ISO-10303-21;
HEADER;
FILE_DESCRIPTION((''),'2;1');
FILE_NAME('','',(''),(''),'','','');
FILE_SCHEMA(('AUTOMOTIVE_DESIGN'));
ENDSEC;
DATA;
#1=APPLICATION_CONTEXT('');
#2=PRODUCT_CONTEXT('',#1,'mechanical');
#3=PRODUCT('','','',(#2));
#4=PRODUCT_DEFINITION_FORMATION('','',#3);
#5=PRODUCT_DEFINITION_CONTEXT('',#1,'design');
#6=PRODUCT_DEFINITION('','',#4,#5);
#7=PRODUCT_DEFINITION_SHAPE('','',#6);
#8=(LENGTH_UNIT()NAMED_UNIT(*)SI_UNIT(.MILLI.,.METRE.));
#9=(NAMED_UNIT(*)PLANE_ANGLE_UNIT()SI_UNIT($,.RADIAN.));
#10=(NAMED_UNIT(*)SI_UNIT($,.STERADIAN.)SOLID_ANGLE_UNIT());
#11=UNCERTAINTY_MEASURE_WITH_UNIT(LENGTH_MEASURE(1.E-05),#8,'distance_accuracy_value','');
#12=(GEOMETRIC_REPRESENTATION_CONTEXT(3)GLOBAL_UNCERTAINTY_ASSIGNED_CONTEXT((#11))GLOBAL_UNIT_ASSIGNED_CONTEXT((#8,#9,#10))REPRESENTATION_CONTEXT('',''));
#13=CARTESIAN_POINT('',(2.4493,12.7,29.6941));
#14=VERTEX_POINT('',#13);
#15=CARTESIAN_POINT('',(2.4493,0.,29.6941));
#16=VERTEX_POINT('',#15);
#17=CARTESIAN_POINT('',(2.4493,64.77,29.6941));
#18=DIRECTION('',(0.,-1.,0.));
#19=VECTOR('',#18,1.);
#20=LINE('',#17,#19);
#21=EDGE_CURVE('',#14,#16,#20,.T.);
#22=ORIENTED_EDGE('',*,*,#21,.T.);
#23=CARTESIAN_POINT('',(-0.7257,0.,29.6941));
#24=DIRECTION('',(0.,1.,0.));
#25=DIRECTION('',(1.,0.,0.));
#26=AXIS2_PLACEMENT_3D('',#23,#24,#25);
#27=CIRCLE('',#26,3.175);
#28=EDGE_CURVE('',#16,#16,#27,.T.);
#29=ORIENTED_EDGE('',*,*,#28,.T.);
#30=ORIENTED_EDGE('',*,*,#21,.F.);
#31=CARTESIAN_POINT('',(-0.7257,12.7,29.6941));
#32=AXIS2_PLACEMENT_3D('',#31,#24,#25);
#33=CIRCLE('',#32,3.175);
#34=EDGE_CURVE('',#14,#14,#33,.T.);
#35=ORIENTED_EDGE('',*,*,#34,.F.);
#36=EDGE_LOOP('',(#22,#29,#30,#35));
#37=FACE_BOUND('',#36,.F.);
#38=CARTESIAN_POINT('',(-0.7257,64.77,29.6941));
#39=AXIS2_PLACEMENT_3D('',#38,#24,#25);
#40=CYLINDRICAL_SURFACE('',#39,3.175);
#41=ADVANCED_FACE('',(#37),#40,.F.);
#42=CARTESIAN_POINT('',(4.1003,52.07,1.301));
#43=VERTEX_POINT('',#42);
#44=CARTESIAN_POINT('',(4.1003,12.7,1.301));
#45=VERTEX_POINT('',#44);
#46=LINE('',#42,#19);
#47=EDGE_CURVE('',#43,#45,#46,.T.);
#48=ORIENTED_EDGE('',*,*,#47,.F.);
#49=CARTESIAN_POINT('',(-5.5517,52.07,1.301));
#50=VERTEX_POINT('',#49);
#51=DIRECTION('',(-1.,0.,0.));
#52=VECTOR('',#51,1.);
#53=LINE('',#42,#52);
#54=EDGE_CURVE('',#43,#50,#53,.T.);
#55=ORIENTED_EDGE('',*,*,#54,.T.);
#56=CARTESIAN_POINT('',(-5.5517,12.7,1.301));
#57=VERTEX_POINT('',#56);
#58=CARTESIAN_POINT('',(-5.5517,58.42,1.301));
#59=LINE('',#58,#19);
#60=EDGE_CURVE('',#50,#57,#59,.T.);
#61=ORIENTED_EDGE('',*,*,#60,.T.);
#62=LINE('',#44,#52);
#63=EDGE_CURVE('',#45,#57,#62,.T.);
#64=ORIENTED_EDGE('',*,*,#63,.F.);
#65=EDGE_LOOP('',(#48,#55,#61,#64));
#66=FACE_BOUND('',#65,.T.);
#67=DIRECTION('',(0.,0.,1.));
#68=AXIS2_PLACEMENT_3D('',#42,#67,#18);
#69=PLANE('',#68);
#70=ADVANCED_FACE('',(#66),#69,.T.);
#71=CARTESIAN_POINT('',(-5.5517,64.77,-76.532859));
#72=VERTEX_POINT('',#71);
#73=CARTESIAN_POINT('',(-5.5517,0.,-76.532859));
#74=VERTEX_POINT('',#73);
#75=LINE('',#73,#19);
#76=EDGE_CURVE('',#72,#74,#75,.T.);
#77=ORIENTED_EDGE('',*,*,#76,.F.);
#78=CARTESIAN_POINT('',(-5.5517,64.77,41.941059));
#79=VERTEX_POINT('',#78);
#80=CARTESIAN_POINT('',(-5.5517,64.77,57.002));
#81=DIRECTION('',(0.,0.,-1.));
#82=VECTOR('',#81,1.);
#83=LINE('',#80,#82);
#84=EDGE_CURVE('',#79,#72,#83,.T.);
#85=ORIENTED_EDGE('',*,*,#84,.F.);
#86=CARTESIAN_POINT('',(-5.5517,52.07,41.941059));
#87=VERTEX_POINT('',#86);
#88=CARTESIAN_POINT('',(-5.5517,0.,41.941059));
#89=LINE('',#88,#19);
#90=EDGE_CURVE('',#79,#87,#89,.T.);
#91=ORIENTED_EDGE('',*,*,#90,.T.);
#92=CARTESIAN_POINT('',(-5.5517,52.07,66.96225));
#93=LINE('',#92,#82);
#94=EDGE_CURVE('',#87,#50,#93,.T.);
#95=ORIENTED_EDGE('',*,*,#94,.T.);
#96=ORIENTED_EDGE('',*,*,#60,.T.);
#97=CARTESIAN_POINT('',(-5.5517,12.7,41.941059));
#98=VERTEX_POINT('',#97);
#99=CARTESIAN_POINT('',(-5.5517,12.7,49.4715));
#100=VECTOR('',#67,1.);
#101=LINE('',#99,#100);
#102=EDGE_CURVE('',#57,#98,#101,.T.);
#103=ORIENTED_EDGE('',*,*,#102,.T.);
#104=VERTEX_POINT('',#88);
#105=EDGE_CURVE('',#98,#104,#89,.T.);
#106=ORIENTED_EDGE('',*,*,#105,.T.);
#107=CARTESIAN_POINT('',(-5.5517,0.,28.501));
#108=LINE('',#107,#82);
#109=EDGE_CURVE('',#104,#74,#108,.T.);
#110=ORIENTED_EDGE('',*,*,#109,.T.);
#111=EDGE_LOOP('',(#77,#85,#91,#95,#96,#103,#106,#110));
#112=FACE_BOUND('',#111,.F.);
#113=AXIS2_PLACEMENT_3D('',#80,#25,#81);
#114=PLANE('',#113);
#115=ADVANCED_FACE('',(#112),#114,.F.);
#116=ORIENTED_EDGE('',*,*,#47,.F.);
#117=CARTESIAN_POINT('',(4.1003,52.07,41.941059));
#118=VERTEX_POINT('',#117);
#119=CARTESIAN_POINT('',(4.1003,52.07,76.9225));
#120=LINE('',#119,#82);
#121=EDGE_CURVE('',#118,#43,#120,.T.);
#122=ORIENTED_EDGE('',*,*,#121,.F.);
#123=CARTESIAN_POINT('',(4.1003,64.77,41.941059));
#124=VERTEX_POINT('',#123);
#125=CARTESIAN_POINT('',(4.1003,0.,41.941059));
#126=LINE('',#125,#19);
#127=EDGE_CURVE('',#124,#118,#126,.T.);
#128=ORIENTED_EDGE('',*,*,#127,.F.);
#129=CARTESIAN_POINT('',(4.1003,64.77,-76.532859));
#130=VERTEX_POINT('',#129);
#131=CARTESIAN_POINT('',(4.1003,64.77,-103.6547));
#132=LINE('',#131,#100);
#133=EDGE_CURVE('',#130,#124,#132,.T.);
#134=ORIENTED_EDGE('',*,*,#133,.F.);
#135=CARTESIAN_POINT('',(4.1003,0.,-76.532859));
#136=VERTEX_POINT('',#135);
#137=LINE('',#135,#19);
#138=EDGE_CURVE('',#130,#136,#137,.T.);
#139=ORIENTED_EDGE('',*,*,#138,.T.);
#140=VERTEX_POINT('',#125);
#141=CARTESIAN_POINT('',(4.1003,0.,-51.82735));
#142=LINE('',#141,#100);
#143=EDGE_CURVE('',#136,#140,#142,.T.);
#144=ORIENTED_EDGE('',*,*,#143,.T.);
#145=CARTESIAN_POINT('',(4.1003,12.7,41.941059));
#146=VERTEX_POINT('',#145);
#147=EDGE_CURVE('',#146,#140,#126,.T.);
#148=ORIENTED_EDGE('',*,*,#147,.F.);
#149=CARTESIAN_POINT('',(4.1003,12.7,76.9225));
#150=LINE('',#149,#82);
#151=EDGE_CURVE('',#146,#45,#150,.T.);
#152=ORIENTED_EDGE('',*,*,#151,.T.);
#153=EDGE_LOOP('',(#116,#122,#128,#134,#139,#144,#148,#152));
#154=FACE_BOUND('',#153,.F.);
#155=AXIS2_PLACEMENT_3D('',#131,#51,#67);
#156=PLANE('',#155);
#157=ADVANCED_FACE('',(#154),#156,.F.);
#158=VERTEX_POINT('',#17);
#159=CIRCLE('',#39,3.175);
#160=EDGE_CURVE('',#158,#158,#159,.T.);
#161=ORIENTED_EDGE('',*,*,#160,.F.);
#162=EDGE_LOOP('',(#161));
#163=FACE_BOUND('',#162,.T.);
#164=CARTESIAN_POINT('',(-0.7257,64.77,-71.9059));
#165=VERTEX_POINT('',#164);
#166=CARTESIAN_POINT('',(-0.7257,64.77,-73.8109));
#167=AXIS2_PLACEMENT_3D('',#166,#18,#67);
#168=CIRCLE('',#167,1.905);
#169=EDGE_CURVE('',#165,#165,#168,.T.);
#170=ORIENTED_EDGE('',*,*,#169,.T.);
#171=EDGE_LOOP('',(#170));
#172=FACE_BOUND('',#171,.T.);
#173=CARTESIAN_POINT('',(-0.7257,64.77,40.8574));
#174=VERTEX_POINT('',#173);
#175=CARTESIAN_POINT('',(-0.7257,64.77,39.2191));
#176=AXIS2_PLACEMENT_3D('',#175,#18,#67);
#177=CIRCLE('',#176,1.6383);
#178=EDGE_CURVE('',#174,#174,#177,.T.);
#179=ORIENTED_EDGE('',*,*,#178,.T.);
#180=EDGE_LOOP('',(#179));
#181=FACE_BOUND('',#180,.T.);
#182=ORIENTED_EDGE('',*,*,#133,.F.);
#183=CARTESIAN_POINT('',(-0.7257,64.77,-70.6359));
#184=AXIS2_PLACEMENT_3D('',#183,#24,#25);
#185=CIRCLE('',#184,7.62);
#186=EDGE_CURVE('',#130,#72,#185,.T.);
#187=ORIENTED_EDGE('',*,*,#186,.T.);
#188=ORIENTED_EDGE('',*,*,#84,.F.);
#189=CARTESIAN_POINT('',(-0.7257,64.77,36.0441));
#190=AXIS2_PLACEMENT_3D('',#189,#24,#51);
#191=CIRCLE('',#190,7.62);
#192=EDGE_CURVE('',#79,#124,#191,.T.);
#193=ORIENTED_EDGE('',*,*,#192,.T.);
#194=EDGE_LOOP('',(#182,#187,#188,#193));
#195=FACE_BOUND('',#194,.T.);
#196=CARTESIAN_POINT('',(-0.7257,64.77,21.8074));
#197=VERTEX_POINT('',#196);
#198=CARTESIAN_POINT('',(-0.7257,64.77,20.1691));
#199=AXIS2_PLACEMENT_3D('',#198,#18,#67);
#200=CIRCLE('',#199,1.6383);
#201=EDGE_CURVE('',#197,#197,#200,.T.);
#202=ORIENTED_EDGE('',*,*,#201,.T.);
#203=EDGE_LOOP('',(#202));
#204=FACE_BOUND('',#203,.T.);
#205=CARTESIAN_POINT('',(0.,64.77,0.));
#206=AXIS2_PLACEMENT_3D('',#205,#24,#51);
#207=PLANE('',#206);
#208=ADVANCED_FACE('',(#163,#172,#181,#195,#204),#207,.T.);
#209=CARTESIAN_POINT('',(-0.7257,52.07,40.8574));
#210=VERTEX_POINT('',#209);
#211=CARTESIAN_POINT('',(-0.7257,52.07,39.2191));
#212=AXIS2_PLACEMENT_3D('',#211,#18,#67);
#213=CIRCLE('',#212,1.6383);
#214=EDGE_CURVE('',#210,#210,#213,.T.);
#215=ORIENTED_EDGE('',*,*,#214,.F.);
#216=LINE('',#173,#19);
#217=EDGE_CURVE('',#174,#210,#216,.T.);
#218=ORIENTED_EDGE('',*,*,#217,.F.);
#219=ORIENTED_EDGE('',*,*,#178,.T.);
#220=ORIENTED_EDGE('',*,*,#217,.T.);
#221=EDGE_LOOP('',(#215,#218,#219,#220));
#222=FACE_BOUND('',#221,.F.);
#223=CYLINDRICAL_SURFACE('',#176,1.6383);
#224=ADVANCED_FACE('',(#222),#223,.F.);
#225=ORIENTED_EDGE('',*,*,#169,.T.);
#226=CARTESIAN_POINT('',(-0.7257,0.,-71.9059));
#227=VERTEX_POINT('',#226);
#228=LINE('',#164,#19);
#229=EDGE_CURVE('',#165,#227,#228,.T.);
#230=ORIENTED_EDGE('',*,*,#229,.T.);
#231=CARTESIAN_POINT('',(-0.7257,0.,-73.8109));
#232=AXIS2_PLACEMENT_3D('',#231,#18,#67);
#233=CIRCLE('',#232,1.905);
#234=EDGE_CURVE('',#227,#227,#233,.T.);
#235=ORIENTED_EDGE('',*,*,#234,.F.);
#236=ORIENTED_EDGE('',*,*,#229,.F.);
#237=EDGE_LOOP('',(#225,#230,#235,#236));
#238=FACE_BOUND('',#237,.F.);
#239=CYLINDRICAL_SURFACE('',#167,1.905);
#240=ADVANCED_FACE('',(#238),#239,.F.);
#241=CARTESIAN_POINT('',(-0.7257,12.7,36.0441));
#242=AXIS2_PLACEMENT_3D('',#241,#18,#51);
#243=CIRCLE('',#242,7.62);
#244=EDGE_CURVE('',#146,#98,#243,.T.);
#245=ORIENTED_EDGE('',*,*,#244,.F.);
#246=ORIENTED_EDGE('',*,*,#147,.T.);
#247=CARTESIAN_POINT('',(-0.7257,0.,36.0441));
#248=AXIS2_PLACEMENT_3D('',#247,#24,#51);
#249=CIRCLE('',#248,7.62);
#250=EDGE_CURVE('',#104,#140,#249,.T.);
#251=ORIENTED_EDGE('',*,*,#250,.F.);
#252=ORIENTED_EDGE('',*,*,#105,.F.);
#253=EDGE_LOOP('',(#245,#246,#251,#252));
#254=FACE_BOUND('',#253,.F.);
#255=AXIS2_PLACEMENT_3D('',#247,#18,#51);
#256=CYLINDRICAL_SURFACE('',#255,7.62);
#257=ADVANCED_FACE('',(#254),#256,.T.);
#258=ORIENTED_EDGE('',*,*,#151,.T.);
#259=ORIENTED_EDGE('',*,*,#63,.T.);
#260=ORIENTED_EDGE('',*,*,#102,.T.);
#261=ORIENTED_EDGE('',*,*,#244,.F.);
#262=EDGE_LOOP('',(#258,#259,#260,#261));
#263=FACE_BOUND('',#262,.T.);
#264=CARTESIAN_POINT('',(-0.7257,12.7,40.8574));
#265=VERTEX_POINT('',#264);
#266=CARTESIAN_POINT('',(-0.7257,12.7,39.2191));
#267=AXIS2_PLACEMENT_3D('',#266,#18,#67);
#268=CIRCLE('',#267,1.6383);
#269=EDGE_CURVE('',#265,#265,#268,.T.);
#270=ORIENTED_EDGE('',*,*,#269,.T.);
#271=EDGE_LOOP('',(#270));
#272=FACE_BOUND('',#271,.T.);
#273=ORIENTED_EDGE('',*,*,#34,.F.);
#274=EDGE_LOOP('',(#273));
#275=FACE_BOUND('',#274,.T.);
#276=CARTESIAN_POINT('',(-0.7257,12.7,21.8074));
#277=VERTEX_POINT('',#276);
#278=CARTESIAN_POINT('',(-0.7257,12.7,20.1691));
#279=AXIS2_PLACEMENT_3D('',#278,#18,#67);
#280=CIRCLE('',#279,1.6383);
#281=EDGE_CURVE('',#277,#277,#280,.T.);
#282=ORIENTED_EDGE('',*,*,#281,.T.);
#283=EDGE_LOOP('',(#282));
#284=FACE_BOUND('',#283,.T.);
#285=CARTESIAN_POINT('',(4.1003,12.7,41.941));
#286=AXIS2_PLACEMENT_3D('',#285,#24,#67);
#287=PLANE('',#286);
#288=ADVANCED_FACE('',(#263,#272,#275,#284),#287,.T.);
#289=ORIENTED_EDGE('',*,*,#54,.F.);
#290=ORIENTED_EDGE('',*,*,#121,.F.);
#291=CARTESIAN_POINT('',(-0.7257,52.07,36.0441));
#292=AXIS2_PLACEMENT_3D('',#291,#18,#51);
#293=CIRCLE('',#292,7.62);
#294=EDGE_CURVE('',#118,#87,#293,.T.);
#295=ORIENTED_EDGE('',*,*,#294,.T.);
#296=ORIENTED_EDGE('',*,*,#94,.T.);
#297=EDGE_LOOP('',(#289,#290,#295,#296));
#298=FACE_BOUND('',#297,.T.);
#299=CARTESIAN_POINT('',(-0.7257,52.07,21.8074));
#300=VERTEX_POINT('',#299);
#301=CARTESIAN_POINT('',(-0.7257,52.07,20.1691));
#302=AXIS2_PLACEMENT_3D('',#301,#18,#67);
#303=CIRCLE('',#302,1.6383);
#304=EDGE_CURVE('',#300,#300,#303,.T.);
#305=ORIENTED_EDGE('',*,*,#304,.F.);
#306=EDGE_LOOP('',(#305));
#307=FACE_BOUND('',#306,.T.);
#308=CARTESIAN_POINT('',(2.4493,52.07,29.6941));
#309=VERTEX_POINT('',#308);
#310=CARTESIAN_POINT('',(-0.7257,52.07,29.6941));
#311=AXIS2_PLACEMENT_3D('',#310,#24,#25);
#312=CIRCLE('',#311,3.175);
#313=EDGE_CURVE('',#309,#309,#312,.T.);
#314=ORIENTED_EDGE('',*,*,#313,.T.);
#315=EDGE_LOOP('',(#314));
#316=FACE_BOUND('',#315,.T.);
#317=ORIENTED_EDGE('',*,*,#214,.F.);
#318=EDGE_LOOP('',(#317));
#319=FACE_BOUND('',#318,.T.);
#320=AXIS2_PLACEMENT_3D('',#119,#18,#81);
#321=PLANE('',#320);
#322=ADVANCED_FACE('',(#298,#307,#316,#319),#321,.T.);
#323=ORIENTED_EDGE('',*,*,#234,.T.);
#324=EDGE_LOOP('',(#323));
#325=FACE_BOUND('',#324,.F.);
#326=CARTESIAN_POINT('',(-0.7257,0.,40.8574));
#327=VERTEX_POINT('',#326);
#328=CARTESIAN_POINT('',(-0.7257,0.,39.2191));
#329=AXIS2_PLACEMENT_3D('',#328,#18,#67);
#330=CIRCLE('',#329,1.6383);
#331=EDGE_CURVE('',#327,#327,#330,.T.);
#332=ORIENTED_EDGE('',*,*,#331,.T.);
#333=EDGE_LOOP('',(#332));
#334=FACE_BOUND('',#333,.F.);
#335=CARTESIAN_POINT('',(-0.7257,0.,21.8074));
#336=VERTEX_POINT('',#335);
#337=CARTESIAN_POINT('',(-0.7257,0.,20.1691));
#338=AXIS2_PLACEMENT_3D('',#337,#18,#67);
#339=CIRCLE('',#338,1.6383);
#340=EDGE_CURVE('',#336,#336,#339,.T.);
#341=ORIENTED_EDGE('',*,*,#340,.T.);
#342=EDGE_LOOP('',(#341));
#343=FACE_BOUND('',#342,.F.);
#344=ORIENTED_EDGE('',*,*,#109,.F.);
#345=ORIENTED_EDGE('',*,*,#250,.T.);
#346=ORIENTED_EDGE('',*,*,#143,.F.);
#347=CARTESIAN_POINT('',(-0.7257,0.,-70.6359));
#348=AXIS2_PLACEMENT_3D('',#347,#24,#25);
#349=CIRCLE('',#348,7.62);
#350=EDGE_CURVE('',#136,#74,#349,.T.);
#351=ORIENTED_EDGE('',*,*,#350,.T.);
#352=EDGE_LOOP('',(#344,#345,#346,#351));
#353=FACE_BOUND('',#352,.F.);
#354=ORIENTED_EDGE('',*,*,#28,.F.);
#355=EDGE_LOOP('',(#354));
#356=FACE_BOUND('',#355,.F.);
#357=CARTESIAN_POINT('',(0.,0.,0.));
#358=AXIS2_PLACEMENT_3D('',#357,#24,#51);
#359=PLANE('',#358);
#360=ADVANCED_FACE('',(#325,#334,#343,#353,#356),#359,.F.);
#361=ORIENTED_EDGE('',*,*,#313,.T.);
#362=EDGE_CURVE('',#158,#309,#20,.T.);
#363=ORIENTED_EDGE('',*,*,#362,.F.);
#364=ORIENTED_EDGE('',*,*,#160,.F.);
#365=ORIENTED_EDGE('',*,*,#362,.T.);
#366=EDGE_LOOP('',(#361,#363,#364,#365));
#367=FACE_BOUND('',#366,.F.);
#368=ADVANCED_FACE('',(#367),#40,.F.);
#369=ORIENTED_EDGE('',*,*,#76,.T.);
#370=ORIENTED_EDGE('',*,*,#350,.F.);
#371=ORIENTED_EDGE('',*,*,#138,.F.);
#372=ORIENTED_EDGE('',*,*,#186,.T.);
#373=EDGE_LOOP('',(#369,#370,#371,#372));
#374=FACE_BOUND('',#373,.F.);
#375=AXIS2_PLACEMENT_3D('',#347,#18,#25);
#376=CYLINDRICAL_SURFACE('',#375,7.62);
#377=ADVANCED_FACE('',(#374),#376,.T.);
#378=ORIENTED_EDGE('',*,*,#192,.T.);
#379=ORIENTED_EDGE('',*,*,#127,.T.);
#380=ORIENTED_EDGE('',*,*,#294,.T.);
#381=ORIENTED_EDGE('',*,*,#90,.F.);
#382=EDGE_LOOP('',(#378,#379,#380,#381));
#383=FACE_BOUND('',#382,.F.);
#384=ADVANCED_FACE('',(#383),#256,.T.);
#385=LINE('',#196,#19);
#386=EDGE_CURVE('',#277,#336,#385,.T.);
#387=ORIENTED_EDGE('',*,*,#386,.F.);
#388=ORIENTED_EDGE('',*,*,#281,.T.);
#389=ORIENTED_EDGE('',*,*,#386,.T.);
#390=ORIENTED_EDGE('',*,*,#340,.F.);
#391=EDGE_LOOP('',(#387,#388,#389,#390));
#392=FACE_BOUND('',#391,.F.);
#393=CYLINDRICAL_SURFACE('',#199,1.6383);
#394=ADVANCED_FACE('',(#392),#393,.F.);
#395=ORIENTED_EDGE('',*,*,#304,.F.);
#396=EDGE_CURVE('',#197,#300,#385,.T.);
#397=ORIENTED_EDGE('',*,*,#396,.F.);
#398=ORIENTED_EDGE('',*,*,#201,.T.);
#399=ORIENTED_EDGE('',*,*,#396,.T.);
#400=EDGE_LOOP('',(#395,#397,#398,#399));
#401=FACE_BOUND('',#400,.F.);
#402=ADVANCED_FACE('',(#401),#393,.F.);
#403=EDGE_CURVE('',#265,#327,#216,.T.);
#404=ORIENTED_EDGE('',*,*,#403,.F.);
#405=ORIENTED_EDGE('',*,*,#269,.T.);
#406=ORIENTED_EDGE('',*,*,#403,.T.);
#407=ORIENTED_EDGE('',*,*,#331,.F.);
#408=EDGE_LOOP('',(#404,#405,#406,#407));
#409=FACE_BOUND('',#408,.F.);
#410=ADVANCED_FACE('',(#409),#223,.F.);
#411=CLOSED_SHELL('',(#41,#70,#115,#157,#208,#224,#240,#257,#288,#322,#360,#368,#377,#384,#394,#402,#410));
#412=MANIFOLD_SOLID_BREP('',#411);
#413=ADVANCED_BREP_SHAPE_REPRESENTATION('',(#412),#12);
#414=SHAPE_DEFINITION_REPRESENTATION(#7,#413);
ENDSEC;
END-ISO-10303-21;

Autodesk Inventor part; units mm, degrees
ref_plane "YZ Plane" through (0, 0, 0) normal (1, 0, 0) x (0, 1, 0)
ref_plane "XZ Plane" through (0, 0, 0) normal (0, 1, 0) x (-1, 0, 0)
ref_plane "XY Plane" through (0, 0, 0) normal (0, 0, 1) x (1, 0, 0)
sketch "Sketch1" plane through (0, 0, 0) normal (0, 1, 0) x (-1, 0, 0)
  line L0 (-6.8943, 36.0441) -> (-6.8943, -70.6359)
  line L1 (8.3457, -70.6359) -> (8.3457, 36.0441)
  arc A0 (8.3457, 36.0441) -> (-6.8943, 36.0441) centre (0.7257, 36.0441) ccw
  arc A1 (-6.8943, -70.6359) -> (8.3457, -70.6359) centre (0.7257, -70.6359) ccw
  point P0 (0, 0)
  dimension "d2" = 15.24
  dimension "d4" = 7.62
  dimension "d5" = 15.24
  dimension "d6" = 7.62
  dimension "d8" = 106.68
  dimension "d9" = 15.24
extrude "Extrusion1" add sketch "Sketch1" along normal blind 64.77
sketch "Sketch2" plane through (0, 64.77, 0) normal (0, 1, 0) x (1, 0, 0)
  line L0 (6.8943, -36.0441) -> (6.8943, 70.6359) projected
  arc A0 (-8.3457, -36.0441) -> (6.8943, -36.0441) centre (-0.7257, -36.0441) ccw projected
  point P0 (0, 0)
  point P1 (-0.7257, -39.2191)
  point P2 (-0.7257, -29.6941)
  point P3 (-0.7257, -20.1691)
  dimension "d16" = 7.62
  dimension "d47" = 0
  dimension "d48" = 0
  dimension "d49" = 6.35
  dimension "d50" = 9.525
  dimension "d51" = 9.525
hole "Hole1" at (-0.7257, 64.77, 39.2191) at (-0.7257, 64.77, 29.6941) at (-0.7257, 64.77, 20.1691) direction (0, -1, 0) diameter 3.2766 end through all clearance for "Flat Head Machine Screw (82)" size "#4" standard "Ansi Unified Screw Threads"
sketch "Sketch3" plane through (0, 64.77, 0) normal (0, 1, 0) x (1, 0, 0)
  line L0 (-8.3457, 70.6359) -> (-8.3457, -36.0441) projected
  arc A0 (6.8943, 70.6359) -> (-8.3457, 70.6359) centre (-0.7257, 70.6359) ccw projected
  point P0 (0, 0)
  point P1 (-0.7257, 73.8109)
  dimension "d25" = 7.62
  dimension "d43" = 3.175
hole "Hole2" at (-0.7257, 64.77, -73.8109) direction (0, -1, 0) diameter 3.81 end through all clearance for "Flat Head Machine Screw (82)" size "#6" standard "Ansi Unified Screw Threads"
sketch "Sketch4" plane through (0, 64.77, 0) normal (0, 1, 0) x (1, 0, 0)
  line L0 (39.3169, 103.6547) -> (4.1003, 103.6547)
  line L1 (4.1003, 103.6547) -> (4.1003, -56.0742)
  line L2 (4.1003, -56.0742) -> (39.3169, -56.0742)
  line L3 (39.3169, -56.0742) -> (39.3169, 103.6547)
  line L4 (-5.5517, 100.2529) -> (-25.9242, 100.2529)
  line L5 (-25.9242, 100.2529) -> (-25.9242, -57.002)
  line L6 (-25.9242, -57.002) -> (-5.5517, -57.002)
  line L7 (-5.5517, -57.002) -> (-5.5517, 100.2529)
  line L8 (-8.3457, 70.6359) -> (-8.3457, -36.0441) projected
  line L9 (6.8943, -36.0441) -> (6.8943, 70.6359) projected
  point P0 (0, 0)
  dimension "d34" = 2.794
  dimension "d35" = 2.794
extrude "Extrusion2" cut sketch "Sketch4" against normal blind 101.6
sketch "Sketch5" plane through (4.1003, 64.77, 41.941) normal (1, 0, 0) x (0, 0, -1)
  line L0 (-34.9815, -12.7) -> (40.64, -12.7)
  line L1 (40.64, -12.7) -> (40.64, -52.07)
  line L2 (40.64, -52.07) -> (-34.9815, -52.07)
  line L3 (-34.9815, -52.07) -> (-34.9815, -12.7)
  line L4 (0, -64.77) -> (0, 0) projected
  line L5 (0, 0) -> (118.4739, 0) projected
  line L6 (118.4739, -64.77) -> (0, -64.77) projected
  point P0 (41.941, -64.77)
  dimension "d38" = 40.64
  dimension "d39" = 12.7
  dimension "d40" = 12.7
extrude "Extrusion3" cut sketch "Sketch5" against normal blind 25.4
sketch "Sketch6" plane through (0, 64.77, 0) normal (0, 1, 0) x (1, 0, 0)
  circle A0 centre (-0.7257, -29.6941) radius 1.6383 projected
  circle A1 centre (-0.7257, -29.6941) radius 3.175
  point P0 (0, 0)
  dimension "d44" = 6.35
extrude "Extrusion4" cut sketch "Sketch6" against normal blind 101.6
properties part number "GripperArm"
